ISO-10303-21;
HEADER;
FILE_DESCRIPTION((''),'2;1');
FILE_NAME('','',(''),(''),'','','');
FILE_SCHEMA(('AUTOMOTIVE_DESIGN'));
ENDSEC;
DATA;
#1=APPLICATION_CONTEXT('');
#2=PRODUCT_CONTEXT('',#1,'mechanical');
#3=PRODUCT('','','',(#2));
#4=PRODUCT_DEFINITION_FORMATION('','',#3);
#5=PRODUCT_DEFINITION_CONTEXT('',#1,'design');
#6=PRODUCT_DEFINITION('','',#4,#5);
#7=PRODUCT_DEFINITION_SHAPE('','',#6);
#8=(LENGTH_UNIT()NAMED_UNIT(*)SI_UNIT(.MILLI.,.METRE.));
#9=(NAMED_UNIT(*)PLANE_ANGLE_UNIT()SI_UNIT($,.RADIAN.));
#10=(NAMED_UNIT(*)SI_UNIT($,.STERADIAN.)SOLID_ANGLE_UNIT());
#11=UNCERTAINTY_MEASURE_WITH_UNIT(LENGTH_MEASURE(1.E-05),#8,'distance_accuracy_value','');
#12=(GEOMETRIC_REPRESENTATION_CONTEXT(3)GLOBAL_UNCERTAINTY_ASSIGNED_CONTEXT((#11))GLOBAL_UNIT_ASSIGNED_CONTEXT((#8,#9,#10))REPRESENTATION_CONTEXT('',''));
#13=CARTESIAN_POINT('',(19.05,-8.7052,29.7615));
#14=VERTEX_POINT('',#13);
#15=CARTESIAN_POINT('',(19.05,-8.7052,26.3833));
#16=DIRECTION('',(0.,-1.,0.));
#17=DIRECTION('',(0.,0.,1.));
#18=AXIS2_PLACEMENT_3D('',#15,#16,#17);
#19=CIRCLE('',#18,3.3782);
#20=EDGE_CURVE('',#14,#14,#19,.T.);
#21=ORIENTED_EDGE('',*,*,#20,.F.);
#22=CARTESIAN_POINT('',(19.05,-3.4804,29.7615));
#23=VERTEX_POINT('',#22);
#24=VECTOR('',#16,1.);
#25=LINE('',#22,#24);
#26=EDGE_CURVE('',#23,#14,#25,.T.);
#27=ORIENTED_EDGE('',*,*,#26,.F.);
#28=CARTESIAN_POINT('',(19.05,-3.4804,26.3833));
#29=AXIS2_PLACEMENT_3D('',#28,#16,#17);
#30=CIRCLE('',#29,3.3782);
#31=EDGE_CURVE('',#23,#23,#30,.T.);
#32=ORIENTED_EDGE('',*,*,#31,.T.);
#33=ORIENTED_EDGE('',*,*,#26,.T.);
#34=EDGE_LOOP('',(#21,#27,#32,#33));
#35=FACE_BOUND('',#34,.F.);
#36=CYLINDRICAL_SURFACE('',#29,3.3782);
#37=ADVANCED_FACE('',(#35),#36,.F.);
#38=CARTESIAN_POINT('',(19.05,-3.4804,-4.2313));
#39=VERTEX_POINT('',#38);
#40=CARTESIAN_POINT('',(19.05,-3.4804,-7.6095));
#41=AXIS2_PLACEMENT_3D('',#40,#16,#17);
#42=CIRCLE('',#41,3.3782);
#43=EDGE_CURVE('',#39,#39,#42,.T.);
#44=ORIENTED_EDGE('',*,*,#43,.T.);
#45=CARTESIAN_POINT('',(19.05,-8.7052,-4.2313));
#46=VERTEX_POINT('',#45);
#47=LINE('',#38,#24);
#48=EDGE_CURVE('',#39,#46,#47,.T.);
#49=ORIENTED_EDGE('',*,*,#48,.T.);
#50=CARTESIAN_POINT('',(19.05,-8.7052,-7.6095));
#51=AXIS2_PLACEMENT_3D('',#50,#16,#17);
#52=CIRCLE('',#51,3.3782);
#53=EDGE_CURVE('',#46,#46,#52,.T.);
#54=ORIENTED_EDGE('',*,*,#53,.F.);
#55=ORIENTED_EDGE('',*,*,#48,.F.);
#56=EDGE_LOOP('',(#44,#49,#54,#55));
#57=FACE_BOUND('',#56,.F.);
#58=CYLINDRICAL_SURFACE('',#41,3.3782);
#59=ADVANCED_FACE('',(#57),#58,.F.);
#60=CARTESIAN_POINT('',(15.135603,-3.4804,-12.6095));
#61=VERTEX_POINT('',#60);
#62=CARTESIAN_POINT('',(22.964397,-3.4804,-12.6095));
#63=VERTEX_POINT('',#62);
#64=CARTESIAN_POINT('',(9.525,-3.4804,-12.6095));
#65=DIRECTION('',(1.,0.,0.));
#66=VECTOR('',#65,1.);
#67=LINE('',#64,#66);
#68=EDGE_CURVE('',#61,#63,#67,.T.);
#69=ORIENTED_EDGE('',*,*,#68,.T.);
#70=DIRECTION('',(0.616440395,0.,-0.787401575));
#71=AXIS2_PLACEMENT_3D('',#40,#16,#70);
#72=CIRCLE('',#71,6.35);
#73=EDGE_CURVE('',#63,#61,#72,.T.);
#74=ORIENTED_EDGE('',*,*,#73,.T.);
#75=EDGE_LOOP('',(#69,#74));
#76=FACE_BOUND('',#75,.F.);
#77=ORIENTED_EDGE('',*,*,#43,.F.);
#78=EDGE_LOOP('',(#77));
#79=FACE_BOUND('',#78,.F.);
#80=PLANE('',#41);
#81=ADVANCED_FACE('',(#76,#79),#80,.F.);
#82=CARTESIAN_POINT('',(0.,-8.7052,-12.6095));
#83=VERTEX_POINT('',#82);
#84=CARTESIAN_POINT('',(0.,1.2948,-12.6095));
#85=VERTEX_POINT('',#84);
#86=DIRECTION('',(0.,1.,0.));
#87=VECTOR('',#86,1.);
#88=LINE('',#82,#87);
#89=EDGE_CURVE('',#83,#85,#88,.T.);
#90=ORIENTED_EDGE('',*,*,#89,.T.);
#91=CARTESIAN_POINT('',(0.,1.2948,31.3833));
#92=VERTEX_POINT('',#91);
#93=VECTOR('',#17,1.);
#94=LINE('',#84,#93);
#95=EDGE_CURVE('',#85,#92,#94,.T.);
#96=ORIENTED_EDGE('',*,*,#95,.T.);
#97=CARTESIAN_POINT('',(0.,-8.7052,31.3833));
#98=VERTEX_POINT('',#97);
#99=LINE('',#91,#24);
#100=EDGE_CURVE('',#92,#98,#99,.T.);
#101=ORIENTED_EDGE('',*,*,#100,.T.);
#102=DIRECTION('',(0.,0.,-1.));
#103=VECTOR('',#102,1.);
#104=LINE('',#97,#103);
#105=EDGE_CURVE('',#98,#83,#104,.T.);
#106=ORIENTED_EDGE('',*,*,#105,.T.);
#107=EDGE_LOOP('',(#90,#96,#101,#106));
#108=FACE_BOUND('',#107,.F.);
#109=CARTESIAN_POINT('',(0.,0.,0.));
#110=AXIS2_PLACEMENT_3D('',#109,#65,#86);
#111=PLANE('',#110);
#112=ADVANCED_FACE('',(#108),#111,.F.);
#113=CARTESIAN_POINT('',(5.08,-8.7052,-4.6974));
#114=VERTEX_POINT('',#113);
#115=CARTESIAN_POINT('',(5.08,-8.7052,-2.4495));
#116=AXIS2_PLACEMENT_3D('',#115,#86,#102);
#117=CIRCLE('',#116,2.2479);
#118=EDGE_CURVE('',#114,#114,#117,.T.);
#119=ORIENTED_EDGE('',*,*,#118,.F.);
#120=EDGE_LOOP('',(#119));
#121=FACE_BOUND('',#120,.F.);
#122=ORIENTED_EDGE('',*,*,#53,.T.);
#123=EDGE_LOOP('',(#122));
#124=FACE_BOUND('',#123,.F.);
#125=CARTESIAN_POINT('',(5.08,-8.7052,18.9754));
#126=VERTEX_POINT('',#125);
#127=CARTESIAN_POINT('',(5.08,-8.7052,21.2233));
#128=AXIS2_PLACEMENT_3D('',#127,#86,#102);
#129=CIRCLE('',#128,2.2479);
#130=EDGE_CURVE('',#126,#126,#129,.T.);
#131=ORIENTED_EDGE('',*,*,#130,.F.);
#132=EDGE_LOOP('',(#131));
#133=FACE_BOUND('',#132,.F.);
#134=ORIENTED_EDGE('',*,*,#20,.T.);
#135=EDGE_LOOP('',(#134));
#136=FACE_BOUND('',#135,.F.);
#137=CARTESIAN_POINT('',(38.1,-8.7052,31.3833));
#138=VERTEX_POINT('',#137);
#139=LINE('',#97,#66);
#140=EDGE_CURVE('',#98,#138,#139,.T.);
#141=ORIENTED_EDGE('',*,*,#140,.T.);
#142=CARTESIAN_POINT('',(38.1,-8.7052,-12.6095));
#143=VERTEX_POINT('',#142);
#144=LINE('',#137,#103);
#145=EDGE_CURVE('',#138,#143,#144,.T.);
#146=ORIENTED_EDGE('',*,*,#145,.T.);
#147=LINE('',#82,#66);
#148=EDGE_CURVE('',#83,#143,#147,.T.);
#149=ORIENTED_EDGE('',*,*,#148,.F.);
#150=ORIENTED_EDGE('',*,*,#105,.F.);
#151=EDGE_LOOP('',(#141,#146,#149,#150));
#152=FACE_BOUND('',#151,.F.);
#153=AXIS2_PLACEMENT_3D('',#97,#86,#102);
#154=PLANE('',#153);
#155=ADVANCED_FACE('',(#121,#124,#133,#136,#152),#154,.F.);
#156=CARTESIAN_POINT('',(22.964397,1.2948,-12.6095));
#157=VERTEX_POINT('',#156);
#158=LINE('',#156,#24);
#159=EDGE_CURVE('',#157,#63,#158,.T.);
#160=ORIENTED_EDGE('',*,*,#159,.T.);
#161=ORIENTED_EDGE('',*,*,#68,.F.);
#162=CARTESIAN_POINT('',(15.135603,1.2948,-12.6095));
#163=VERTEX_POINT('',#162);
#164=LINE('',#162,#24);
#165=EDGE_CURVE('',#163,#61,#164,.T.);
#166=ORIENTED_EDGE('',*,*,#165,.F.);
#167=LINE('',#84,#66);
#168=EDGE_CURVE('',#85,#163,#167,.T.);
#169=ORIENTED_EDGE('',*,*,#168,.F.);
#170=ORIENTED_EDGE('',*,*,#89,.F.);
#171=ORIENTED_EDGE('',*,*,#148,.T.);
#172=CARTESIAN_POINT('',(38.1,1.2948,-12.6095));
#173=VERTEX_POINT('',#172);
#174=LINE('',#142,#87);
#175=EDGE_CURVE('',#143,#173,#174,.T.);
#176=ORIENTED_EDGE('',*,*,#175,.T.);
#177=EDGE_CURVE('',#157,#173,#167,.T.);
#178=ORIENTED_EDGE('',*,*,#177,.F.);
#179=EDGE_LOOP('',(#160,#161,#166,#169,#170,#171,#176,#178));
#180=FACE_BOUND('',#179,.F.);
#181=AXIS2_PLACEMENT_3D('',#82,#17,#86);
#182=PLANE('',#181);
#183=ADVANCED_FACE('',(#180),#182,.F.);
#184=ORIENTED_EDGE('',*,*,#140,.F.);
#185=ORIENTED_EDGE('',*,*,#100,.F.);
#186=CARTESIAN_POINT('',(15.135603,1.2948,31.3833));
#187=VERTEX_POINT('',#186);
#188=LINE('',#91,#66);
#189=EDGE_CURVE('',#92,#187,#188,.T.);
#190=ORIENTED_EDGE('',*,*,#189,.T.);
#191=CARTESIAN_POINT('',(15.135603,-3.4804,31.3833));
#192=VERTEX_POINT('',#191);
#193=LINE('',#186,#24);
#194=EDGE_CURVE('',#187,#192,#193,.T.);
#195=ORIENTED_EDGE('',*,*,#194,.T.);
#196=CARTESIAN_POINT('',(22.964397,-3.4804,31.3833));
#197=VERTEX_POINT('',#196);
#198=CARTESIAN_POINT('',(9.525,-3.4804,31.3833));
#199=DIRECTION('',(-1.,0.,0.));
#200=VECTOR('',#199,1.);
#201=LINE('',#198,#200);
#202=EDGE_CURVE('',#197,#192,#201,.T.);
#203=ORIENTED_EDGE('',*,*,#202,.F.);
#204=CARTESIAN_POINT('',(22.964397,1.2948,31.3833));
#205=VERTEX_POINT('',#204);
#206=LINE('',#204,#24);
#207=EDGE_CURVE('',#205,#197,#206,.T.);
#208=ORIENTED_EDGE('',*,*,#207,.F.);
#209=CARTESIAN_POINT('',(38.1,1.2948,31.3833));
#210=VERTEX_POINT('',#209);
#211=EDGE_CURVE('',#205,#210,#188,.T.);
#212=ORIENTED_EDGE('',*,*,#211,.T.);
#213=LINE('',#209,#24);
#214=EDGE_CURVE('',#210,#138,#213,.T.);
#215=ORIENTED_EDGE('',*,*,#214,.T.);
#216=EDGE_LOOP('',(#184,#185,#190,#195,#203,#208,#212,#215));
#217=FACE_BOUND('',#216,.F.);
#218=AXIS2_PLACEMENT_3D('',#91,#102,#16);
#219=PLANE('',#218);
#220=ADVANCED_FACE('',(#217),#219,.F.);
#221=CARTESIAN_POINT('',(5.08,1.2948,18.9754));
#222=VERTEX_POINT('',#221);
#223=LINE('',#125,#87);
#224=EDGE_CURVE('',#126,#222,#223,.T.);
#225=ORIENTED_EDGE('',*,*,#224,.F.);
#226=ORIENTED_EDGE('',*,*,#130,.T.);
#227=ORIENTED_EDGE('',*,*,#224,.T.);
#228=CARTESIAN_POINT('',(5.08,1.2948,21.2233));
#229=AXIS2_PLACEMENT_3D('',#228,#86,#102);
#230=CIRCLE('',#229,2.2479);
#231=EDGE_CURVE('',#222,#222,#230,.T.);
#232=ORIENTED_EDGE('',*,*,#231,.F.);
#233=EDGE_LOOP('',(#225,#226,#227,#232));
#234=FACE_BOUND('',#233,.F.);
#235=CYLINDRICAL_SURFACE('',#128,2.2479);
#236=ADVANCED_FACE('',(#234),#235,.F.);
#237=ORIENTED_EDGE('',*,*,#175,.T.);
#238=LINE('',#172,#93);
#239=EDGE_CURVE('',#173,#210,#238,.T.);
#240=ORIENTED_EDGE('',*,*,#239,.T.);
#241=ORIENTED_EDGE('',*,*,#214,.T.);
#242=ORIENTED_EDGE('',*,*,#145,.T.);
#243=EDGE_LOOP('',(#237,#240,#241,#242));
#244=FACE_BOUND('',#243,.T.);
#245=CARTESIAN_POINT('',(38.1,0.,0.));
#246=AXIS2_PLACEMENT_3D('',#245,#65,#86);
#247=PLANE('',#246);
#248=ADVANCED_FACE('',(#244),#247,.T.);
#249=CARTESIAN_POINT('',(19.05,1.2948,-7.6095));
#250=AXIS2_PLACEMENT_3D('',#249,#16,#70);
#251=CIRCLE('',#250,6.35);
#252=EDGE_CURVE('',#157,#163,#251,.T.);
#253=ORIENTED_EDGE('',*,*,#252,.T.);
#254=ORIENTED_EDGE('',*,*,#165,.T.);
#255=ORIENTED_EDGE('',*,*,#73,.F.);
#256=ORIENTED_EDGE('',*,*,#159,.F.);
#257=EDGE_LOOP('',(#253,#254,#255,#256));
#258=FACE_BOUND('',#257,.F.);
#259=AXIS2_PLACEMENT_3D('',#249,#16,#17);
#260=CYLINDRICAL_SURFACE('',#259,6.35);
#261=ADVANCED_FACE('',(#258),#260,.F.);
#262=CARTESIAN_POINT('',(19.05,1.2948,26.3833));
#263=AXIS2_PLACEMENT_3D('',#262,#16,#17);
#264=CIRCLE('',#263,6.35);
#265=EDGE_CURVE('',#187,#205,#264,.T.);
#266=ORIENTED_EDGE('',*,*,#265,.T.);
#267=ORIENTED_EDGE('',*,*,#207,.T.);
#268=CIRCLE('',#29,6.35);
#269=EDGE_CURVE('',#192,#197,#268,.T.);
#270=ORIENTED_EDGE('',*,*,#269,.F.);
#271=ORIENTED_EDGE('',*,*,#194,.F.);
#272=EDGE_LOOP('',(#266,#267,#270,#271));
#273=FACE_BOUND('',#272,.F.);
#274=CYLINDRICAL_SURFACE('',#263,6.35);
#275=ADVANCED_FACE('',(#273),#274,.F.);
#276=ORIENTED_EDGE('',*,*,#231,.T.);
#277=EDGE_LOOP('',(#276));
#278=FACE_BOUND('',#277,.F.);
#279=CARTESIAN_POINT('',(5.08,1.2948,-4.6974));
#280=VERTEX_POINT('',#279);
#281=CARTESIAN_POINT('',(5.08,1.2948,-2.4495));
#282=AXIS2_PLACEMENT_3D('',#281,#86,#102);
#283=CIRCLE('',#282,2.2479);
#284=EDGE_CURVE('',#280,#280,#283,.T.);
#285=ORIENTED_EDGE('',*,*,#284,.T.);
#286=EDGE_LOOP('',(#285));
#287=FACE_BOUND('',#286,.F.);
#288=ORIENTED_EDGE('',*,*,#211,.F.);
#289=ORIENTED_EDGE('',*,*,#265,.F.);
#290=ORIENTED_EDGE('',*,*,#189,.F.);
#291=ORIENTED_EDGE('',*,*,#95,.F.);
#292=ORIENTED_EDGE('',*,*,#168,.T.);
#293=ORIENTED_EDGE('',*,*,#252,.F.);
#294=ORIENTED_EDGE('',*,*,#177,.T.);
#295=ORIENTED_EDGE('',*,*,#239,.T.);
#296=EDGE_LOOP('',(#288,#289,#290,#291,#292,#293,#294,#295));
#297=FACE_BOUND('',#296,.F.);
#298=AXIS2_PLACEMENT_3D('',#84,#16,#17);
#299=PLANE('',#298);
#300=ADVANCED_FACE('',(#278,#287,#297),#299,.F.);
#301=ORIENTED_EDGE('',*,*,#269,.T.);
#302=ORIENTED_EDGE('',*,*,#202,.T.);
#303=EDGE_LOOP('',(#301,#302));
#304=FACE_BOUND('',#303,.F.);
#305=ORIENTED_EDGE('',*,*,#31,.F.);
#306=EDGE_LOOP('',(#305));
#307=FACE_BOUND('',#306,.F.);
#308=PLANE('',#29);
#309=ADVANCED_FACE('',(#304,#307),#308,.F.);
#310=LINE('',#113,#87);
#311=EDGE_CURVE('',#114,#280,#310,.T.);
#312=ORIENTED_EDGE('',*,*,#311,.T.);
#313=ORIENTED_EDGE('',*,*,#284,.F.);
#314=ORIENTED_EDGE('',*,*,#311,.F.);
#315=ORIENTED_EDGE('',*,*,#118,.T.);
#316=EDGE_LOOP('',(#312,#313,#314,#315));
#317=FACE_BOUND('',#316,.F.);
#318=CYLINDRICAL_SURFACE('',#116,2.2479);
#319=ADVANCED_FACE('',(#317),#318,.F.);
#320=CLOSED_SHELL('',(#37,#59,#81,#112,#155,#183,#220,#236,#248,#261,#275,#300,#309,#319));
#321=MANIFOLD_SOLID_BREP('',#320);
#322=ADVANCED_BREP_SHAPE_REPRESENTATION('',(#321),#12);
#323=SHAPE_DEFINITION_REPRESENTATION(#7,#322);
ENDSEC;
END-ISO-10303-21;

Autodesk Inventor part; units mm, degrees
ref_plane "YZ Plane" through (0, 0, 0) normal (1, 0, 0) x (0, 1, 0)
ref_plane "XZ Plane" through (0, 0, 0) normal (0, 1, 0) x (-1, 0, 0)
ref_plane "XY Plane" through (0, 0, 0) normal (0, 0, 1) x (1, 0, 0)
sketch "Sketch1" plane through (0, 0, 0) normal (1, 0, 0) x (0, 1, 0)
  line L0 (1.2948, 31.3833) -> (-8.7052, 31.3833)
  line L1 (-8.7052, 31.3833) -> (-8.7052, -12.6095)
  line L2 (-8.7052, -12.6095) -> (1.2948, -12.6095)
  line L3 (1.2948, -12.6095) -> (1.2948, 31.3833)
  point P0 (0, 0)
  dimension "d0" = 43.9928
  dimension "d1" = 10
extrude "Extrusion1" add sketch "Sketch1" along normal blind 38.1
sketch "Sketch2" plane through (0, 1.2948, 31.3833) normal (0, 1, 0) x (1, 0, 0)
  line L0 (38.1, 43.9928) -> (38.1, 0) projected
  line L1 (0, 0) -> (38.1, 0) projected
  line L2 (0, 43.9928) -> (38.1, 43.9928) projected
  point P0 (0, 31.3833)
  point P1 (19.05, 5)
  point P2 (19.05, 38.9928)
  dimension "d4" = 0
  dimension "d5" = 19.05
  dimension "d6" = 5
  dimension "d7" = 5
hole "Hole1" at (19.05, 1.2948, 26.3833) at (19.05, 1.2948, -7.6095) direction (0, -1, 0) diameter 6.7564 end through all counterbore diameter 12.7 counterbore depth 4.7752 clearance for "Hex Head Bolt" size "1/4" standard "Ansi Unified Screw Threads"
sketch "Sketch3" plane through (0, -8.7052, -12.6095) normal (0, -1, 0) x (1, 0, 0)
  line L0 (38.1, 43.9928) -> (38.1, 0) projected
  line L1 (0, 43.9928) -> (0, 0) projected
  line L2 (0, 43.9928) -> (38.1, 43.9928) projected
  line L3 (0, 0) -> (38.1, 0) projected
  point P0 (0, 12.6095)
  point P1 (5.08, 33.8328)
  point P2 (5.08, 10.16)
  dimension "d16" = 5.08
  dimension "d24" = 10.16
  dimension "d25" = 10.16
  dimension "d26" = 5.08
hole "Hole2" at (5.08, -8.7052, 21.2233) at (5.08, -8.7052, -2.4495) direction (0, 1, 0) diameter 4.4958 end through all clearance for "Hex Machine Screw" size "#8" standard "Ansi Unified Screw Threads"
properties part number "LidarV4MountShortPlate"
